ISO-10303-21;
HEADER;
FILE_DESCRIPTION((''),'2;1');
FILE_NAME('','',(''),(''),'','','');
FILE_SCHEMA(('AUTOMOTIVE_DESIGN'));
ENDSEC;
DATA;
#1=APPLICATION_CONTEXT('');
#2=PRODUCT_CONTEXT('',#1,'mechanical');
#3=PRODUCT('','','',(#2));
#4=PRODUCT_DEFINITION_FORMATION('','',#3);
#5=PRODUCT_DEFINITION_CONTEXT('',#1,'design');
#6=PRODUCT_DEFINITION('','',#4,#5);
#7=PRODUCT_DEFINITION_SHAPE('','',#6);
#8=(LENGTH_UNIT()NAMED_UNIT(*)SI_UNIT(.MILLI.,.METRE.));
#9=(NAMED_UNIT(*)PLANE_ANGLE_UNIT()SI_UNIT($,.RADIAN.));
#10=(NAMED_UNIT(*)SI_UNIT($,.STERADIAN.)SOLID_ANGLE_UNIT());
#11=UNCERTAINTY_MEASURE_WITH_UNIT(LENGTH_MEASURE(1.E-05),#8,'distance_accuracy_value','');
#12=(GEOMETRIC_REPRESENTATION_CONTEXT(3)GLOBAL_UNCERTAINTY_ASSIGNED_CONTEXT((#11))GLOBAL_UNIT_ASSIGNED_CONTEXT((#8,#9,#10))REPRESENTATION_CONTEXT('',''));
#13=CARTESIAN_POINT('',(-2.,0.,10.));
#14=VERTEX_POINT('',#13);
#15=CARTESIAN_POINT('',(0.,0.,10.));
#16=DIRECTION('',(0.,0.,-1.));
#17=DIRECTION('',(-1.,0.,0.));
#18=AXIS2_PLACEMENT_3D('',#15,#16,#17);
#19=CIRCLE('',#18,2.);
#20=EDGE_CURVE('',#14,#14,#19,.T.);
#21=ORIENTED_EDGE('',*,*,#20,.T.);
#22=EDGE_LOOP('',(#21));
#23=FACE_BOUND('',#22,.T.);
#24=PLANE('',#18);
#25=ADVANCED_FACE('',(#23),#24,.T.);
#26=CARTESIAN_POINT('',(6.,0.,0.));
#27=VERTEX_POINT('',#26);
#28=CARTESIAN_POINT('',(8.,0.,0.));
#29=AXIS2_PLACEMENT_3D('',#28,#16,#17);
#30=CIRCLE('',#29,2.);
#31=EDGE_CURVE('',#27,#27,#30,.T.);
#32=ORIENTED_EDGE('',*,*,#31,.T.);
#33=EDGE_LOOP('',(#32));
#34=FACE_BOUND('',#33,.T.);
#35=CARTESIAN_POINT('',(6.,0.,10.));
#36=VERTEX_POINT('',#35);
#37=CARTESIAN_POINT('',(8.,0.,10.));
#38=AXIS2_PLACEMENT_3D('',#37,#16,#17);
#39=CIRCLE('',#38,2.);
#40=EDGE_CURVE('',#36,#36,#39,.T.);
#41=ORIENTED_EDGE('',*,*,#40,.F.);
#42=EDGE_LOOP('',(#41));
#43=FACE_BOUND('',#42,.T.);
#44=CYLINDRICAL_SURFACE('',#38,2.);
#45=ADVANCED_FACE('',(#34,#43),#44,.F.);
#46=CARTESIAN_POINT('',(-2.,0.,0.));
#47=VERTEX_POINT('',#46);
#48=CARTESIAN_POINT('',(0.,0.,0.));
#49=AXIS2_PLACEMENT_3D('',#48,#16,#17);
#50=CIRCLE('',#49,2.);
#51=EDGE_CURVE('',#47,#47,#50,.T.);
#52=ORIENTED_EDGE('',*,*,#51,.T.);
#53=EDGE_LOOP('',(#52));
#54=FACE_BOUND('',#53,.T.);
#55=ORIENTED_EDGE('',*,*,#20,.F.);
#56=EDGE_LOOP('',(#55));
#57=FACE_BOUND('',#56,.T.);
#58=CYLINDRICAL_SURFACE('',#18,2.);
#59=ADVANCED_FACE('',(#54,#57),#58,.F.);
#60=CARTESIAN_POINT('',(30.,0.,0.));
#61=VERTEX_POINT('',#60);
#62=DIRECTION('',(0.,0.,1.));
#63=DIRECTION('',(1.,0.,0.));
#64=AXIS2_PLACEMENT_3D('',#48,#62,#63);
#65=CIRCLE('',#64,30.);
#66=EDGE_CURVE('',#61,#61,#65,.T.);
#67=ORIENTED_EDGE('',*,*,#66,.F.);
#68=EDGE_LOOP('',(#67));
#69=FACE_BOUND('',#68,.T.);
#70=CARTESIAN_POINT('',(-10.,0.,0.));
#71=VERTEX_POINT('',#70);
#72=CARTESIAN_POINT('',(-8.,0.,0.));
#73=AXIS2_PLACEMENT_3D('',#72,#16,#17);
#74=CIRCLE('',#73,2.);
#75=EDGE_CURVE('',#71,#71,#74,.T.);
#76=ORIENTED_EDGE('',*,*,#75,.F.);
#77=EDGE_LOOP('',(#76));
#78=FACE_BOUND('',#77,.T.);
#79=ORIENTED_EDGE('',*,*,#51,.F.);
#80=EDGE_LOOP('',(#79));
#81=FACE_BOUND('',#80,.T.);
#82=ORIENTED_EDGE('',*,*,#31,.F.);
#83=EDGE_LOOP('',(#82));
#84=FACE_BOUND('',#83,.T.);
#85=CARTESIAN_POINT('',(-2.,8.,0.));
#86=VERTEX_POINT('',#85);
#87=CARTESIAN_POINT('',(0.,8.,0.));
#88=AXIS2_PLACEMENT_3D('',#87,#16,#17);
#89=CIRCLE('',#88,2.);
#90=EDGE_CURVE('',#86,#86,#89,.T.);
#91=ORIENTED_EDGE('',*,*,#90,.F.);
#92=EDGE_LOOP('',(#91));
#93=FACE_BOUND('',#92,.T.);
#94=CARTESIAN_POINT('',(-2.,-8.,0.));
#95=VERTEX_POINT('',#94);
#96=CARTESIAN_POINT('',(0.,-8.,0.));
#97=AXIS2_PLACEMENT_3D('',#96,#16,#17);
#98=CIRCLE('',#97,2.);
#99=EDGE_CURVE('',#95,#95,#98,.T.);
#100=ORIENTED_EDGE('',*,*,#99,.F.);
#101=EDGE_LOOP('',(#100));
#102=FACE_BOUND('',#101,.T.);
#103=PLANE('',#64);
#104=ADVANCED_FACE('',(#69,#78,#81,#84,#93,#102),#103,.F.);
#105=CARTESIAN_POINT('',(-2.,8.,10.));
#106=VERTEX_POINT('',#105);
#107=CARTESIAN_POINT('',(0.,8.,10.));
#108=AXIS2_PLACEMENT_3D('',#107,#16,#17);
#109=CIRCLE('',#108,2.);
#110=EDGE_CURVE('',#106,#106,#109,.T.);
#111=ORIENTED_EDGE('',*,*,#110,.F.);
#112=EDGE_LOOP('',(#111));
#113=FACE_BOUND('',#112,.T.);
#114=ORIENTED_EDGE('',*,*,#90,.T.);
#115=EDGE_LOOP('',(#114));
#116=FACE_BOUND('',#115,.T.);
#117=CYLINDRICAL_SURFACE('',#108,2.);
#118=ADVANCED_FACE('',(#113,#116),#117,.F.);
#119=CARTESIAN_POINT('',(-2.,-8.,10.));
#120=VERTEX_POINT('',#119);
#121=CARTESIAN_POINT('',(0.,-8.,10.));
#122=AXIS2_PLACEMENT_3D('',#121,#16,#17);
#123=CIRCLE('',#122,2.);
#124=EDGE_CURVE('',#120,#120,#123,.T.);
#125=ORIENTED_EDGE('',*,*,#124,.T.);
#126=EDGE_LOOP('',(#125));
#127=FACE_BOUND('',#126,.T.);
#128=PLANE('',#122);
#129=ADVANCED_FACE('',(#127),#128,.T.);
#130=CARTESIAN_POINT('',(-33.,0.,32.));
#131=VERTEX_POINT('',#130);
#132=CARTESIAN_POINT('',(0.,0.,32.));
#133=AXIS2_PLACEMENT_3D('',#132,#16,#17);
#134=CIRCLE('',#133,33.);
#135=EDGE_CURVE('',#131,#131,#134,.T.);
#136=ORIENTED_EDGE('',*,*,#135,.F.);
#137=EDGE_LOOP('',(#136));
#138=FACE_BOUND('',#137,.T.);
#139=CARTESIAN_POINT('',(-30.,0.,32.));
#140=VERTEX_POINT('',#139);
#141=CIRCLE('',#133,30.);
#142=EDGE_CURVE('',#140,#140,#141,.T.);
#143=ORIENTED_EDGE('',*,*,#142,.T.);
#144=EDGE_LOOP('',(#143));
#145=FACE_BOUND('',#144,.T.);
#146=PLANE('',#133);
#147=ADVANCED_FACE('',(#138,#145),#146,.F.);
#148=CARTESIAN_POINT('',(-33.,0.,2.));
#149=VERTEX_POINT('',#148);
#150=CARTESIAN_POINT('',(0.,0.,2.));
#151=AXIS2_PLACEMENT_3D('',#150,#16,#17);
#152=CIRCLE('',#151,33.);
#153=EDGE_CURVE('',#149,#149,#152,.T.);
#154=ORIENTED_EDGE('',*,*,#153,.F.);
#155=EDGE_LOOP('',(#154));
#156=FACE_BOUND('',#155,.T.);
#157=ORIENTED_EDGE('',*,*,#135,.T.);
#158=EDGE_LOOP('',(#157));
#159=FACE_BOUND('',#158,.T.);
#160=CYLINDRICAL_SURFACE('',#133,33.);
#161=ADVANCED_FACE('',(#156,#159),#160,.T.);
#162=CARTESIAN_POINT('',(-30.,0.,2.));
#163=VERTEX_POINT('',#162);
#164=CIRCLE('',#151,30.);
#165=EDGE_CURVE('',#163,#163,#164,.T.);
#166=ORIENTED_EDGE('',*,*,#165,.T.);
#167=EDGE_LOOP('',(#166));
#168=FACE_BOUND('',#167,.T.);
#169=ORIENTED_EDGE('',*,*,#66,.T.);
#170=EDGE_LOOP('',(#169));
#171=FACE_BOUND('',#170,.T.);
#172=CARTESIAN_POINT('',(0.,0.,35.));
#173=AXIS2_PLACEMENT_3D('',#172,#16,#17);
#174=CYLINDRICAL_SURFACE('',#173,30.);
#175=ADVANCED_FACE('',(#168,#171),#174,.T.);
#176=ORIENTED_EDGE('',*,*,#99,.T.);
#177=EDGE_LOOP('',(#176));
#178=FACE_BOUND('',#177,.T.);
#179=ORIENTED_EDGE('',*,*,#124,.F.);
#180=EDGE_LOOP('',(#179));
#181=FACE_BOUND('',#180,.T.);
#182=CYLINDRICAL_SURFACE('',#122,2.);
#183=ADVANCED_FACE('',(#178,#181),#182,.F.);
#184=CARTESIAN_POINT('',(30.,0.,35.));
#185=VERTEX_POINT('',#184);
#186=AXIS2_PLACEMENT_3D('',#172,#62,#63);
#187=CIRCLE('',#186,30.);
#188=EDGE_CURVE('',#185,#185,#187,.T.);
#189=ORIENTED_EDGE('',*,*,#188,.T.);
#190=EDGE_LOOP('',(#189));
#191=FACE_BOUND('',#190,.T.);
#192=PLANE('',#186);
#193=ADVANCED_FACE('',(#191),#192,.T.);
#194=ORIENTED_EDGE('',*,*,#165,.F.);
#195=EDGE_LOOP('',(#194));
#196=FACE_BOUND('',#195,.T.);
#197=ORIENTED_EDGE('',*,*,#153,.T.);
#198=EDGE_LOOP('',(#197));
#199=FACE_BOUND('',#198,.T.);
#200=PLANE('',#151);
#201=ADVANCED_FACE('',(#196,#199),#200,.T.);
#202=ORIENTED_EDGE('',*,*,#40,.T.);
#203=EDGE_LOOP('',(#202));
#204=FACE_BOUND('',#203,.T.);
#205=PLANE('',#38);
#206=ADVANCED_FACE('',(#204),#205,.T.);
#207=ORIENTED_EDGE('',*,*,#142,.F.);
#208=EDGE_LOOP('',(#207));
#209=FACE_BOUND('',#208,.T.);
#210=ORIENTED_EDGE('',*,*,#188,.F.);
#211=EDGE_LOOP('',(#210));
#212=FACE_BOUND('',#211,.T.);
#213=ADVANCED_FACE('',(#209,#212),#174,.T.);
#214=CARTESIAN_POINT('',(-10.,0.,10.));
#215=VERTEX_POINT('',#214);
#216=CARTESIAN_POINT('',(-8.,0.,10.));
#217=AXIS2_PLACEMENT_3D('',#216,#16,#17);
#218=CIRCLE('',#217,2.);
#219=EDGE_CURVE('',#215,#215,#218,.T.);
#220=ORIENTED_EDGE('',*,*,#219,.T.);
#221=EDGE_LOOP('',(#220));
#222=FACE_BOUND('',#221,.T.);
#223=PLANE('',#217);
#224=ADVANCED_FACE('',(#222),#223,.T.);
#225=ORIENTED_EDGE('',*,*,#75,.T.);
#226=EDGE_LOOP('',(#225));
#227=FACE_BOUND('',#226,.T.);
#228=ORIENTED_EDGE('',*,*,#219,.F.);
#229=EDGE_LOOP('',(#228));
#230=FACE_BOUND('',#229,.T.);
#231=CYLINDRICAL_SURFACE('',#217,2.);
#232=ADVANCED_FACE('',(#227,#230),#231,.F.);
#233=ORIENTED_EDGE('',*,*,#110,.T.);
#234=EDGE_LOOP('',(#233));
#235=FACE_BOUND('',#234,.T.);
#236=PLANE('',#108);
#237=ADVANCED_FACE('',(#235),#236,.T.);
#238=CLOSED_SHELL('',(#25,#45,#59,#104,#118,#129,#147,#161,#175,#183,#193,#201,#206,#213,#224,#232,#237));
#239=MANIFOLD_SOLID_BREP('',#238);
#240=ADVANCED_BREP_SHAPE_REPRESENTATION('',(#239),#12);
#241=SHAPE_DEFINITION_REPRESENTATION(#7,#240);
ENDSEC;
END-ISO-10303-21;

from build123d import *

# Parameters (mm, degrees)
ESQUISSE1_R             = 30
BOSS_EXTRU_1_DEPTH      = 35
ESQUISSE2_R             = 2
ENL_V_MAT_EXTRU_1_DEPTH = 10
BOSS_EXTRU_2_START      = -2
ESQUISSE3_R             = 33
ESQUISSE3_R_2           = 30
BOSS_EXTRU_2_DEPTH      = 30


with BuildPart() as part:
    # Esquisse1 → Boss.-Extru.1 (new body)
    with BuildSketch(Plane.XY):
        Circle(ESQUISSE1_R)
    extrude(amount=BOSS_EXTRU_1_DEPTH)

    # Esquisse2 → Enlèv. mat.-Extru.1 (cut)
    with BuildSketch(Plane(origin=(0, 0, 0), x_dir=(-1, 0, 0), z_dir=(0, 0, -1))):
        with Locations((0, 8)):
            Circle(ESQUISSE2_R)
        with Locations((8, 0)):
            Circle(ESQUISSE2_R)
        with Locations((0, -8)):
            Circle(ESQUISSE2_R)
        with Locations((-8, 0)):
            Circle(ESQUISSE2_R)
        Circle(ESQUISSE2_R)
    extrude(amount=-ENL_V_MAT_EXTRU_1_DEPTH, mode=Mode.SUBTRACT)

    # Esquisse3 → Boss.-Extru.2 (add)
    with BuildSketch(Plane(origin=(0, 0, 0), x_dir=(-1, 0, 0), z_dir=(0, 0, -1)).offset(BOSS_EXTRU_2_START)):
        Circle(ESQUISSE3_R)
        Circle(ESQUISSE3_R_2, mode=Mode.SUBTRACT)
    extrude(amount=-BOSS_EXTRU_2_DEPTH)


solid = part.part
